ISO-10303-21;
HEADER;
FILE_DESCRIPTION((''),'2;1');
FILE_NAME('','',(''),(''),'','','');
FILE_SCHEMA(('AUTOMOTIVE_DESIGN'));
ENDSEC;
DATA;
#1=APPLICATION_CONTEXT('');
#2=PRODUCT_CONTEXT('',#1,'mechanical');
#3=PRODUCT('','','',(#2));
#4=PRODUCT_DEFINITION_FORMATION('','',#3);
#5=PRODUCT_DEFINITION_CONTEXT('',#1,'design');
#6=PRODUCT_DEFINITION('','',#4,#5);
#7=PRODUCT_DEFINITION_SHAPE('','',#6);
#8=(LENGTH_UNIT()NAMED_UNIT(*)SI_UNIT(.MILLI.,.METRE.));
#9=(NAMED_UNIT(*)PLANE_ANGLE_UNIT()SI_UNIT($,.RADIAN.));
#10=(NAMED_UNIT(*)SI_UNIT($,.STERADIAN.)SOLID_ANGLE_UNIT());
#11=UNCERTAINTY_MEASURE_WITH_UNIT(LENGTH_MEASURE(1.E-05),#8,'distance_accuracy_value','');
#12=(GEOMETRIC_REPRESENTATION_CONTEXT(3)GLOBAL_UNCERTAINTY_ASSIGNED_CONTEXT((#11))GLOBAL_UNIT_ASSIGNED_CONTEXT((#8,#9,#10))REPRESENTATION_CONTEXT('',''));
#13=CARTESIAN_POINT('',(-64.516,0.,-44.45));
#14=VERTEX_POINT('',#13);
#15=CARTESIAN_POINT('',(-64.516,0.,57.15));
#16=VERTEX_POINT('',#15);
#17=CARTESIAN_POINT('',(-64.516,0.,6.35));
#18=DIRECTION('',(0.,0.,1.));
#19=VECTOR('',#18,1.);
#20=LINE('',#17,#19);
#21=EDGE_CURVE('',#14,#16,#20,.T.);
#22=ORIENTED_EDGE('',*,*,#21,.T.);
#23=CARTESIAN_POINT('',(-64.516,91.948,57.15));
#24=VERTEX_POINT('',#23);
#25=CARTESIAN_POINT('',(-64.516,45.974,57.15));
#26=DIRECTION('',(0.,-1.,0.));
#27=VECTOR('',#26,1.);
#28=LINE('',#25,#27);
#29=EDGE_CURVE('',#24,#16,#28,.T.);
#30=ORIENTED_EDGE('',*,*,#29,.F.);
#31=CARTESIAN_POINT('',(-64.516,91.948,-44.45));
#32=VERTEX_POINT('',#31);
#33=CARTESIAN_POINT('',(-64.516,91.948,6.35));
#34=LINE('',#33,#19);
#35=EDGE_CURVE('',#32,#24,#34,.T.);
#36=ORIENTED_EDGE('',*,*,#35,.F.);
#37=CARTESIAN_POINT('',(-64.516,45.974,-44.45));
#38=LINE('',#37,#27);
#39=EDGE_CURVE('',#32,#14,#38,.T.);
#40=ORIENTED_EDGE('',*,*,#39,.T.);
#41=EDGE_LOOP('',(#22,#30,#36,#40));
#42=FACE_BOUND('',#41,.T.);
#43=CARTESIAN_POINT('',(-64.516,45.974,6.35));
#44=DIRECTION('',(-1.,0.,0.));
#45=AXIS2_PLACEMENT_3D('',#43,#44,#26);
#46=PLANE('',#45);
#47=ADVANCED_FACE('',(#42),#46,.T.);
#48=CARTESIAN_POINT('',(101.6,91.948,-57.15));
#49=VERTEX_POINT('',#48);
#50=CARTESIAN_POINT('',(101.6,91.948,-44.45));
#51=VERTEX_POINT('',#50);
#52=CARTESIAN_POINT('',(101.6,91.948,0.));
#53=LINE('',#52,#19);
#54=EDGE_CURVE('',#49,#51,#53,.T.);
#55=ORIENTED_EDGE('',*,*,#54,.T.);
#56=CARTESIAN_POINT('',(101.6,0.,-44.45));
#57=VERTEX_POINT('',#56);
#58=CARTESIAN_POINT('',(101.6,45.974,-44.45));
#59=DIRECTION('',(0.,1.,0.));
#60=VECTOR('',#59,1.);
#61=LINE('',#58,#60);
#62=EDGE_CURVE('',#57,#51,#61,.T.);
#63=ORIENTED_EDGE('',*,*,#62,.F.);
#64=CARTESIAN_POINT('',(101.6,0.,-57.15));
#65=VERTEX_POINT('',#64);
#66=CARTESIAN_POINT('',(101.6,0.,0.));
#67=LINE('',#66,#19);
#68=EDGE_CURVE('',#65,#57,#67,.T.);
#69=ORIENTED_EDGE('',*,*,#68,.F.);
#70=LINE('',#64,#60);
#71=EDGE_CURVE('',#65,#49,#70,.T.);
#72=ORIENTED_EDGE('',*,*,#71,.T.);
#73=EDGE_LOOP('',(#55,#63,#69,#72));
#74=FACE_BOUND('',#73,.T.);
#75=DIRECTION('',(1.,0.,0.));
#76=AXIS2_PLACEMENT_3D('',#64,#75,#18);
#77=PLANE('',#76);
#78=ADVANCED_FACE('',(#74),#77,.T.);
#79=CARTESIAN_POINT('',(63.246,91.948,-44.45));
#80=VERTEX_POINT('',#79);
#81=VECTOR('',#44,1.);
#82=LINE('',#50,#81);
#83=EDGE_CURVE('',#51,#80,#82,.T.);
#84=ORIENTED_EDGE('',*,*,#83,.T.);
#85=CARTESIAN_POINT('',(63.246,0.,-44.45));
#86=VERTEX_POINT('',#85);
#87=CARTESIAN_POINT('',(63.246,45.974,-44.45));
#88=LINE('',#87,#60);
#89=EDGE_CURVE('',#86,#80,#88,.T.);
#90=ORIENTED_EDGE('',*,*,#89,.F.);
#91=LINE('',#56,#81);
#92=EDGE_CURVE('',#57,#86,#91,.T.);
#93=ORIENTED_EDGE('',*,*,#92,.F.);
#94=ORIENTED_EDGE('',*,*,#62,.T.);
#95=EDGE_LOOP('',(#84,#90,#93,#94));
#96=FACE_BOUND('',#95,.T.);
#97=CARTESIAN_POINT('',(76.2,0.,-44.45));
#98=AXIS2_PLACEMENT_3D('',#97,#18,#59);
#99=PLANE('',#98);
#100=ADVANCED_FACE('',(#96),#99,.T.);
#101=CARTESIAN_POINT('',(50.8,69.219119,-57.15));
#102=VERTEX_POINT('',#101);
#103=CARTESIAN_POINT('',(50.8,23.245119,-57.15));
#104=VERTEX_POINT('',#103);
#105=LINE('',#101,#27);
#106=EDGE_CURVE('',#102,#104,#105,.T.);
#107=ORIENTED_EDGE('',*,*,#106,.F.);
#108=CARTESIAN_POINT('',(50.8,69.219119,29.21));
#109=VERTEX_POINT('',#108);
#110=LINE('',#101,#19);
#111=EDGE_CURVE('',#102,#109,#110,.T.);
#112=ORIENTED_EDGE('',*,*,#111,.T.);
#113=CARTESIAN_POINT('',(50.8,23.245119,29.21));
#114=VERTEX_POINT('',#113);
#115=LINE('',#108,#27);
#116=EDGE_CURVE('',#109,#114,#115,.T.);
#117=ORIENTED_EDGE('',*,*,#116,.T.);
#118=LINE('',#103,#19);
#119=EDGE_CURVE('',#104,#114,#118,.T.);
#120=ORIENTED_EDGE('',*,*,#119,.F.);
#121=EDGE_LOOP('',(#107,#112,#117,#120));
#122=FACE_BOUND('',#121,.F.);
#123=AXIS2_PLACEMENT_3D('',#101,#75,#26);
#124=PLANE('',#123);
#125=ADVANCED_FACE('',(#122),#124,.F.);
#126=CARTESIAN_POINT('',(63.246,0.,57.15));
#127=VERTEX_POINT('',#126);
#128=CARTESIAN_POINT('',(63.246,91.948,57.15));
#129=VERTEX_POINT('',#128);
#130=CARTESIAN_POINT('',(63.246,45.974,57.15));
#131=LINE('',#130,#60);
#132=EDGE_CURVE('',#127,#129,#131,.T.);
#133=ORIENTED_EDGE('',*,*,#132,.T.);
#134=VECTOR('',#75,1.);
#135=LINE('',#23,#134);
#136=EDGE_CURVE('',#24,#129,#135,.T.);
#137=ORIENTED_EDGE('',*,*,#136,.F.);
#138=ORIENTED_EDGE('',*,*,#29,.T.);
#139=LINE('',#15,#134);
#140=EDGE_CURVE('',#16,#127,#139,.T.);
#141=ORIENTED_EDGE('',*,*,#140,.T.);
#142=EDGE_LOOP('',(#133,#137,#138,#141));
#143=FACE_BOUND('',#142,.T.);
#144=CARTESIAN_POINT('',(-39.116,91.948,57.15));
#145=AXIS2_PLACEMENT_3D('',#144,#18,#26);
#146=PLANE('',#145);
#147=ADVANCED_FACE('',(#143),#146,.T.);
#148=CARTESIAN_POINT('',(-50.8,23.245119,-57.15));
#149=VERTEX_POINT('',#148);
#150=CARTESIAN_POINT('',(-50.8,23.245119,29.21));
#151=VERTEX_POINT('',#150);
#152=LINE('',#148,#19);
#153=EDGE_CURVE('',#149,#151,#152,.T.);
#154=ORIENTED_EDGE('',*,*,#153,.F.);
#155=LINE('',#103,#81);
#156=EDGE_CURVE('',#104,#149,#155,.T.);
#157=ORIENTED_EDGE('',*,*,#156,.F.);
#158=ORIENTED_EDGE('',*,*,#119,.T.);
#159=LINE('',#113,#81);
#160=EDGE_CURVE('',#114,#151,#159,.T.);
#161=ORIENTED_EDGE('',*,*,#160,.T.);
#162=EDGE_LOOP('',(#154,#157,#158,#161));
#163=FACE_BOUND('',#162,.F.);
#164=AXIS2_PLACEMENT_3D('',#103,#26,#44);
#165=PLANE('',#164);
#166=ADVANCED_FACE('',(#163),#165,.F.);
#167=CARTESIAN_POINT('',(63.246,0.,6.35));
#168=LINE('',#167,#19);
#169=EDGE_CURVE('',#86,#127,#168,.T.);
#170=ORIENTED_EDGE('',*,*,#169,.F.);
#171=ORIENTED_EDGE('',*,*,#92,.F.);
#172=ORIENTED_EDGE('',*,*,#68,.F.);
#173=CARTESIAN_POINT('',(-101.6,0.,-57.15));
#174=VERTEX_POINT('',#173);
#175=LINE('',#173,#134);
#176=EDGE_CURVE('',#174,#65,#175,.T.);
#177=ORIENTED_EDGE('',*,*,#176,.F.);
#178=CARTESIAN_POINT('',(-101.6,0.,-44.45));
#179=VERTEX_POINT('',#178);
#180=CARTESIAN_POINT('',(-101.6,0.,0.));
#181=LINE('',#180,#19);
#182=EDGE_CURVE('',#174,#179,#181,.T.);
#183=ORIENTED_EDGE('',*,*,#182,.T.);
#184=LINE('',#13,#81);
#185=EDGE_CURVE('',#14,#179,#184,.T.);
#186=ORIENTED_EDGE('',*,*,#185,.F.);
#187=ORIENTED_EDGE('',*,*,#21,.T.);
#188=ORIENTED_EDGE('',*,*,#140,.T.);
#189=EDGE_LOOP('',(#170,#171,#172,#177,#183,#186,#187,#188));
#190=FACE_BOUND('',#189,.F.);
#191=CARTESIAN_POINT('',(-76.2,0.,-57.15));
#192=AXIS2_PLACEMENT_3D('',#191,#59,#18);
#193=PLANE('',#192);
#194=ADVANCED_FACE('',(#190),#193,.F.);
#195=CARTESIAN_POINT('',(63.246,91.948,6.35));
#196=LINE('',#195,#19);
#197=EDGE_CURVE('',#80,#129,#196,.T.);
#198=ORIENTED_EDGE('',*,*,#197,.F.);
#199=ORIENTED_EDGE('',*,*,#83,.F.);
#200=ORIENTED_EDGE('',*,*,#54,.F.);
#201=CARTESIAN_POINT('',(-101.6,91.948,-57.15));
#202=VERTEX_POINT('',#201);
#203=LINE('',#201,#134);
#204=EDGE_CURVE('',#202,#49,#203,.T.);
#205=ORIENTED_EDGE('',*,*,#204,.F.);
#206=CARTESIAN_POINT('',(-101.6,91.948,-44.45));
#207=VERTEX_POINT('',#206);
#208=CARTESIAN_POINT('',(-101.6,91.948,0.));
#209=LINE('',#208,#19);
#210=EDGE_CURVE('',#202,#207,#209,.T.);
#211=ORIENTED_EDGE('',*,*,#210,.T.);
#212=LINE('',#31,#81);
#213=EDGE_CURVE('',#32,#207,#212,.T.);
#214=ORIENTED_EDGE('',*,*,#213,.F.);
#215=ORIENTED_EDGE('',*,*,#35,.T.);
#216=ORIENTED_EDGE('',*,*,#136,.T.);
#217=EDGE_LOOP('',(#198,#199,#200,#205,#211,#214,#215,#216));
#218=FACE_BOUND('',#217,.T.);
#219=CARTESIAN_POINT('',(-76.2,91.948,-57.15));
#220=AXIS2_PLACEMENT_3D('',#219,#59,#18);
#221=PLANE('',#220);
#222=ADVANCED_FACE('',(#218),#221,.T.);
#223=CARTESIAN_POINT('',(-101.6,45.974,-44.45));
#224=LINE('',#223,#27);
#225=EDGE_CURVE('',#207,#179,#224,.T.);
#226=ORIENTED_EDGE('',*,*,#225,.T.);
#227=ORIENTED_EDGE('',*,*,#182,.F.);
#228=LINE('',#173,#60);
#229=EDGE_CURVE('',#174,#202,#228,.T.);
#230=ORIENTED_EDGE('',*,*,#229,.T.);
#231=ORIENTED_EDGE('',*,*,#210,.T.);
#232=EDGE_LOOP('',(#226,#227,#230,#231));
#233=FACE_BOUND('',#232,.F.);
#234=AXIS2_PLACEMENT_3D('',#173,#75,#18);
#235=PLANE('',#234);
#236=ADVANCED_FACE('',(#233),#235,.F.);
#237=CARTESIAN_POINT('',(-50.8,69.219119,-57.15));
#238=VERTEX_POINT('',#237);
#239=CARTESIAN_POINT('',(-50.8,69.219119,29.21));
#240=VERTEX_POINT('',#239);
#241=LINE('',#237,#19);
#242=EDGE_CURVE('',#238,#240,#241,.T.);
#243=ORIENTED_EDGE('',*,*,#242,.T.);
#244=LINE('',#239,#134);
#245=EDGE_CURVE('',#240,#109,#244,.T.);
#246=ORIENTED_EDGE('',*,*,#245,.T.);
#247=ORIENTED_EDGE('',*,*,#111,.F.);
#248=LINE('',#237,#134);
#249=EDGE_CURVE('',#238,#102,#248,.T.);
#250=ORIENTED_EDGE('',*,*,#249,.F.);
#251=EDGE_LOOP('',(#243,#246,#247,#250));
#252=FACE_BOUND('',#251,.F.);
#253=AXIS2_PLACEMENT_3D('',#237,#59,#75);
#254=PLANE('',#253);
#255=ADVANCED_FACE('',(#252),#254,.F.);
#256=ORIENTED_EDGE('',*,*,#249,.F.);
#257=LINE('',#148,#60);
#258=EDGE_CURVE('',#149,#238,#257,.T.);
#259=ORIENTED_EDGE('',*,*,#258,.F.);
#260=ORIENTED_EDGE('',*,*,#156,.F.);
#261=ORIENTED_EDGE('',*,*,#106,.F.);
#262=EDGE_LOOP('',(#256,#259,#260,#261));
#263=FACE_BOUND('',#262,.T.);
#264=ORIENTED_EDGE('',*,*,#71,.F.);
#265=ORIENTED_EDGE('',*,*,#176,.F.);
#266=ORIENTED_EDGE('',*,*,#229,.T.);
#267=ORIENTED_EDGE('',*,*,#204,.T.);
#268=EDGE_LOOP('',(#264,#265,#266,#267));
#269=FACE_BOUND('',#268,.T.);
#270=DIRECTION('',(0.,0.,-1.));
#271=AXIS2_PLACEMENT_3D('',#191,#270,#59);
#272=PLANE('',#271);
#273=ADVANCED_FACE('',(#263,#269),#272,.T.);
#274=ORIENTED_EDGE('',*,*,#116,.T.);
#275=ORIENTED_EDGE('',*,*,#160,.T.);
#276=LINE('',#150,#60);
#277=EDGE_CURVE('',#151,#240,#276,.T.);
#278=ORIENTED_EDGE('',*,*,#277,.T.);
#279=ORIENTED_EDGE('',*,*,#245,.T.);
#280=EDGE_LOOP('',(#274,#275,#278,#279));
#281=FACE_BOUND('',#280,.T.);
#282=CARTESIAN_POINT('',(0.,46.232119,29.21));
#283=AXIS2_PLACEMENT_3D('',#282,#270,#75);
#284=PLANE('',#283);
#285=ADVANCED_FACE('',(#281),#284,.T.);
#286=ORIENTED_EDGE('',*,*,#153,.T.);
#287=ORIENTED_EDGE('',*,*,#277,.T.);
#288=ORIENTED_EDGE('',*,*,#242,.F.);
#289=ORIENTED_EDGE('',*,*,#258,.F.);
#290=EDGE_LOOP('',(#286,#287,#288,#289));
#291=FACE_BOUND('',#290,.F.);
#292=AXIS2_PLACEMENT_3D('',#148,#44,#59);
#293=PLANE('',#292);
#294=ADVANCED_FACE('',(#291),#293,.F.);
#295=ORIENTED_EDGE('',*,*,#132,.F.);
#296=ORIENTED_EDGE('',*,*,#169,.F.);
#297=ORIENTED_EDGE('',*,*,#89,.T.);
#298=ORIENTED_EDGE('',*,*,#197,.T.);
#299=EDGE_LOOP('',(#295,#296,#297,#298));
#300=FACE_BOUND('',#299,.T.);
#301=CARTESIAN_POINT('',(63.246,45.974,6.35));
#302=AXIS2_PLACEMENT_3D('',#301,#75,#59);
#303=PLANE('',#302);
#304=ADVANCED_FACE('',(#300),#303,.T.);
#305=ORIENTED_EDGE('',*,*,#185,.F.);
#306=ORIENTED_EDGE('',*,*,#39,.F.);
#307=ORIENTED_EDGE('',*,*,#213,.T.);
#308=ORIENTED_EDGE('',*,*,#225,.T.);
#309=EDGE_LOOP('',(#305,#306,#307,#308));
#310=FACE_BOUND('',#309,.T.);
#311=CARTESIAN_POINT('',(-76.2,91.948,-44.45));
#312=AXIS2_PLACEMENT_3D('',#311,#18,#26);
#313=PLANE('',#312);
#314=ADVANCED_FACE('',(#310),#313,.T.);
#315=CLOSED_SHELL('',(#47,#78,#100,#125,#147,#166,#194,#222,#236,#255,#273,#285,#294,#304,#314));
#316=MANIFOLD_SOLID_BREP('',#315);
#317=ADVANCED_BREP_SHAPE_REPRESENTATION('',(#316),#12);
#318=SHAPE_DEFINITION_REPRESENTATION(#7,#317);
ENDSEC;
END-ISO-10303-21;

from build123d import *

# Parameters (mm, degrees)
F0_W      = 152.4
F0_H      = 114.3
F1_DEPTH  = 91.948
F2_W      = 91.948
F2_H      = 101.6
F3_DEPTH  = 37.084
F4_W      = 91.948
F4_H      = 101.6
F5_DEPTH  = 37.084
F6_DEPTH  = 24.13
F7_DEPTH  = 25.4
F8_DEPTH  = 25.4
F9_DEPTH  = 25.4
F12_DEPTH = 86.36


with BuildPart() as f1:
    # F0 (on Front) → F1 (new body)
    with BuildSketch(Plane.XZ):
        Rectangle(F0_W, F0_H)
    extrude(amount=-F1_DEPTH)

    # F2 (on face) → F3 (cut)
    with BuildSketch(Plane.YZ.offset(76.2)):
        with Locations((45.974, 6.35)):
            Rectangle(F2_W, F2_H)
    extrude(amount=-F3_DEPTH, mode=Mode.SUBTRACT)

    # F4 (on face) → F5 (cut)
    with BuildSketch(Plane(origin=(-76.2, 0, 0), x_dir=(0, -1, 0), z_dir=(-1, 0, 0))):
        with Locations((-45.974, 6.35)):
            Rectangle(F4_W, F4_H)
    extrude(amount=-F5_DEPTH, mode=Mode.SUBTRACT)

    # F6 (add): a face of the model
    f6_faces = [f1.faces().sort_by_distance(p)[0] for p in [
        (39.116, 45.974, 6.35),
    ]]
    extrude(f6_faces, amount=F6_DEPTH)

    # F7 (add): a face of the model
    f7_faces = [f1.faces().sort_by_distance(p)[0] for p in [
        (-39.116, 45.974, 6.35),
    ]]
    extrude(f7_faces, amount=F7_DEPTH)

    # F8 (add): a face of the model
    f8_faces = [f1.faces().sort_by_distance(p)[0] for p in [
        (76.2, 45.974, -50.8),
    ]]
    extrude(f8_faces, amount=F8_DEPTH)

    # F9 (add): a face of the model
    f9_faces = [f1.faces().sort_by_distance(p)[0] for p in [
        (-76.2, 45.974, -50.8),
    ]]
    extrude(f9_faces, amount=F9_DEPTH)

    # F11 (on face) → F12 (cut)
    with BuildSketch(Plane(origin=(0, 0, -57.15), x_dir=(1, 0, 0), z_dir=(0, 0, -1))):
        Polygon((50.8, -69.2191192026), (50.8, -23.2451192026), (-50.8, -23.2451192026), (-50.8, -69.2191192026), (0, -69.2191192026), align=None)
    extrude(amount=-F12_DEPTH, mode=Mode.SUBTRACT)


solid = f1.part
